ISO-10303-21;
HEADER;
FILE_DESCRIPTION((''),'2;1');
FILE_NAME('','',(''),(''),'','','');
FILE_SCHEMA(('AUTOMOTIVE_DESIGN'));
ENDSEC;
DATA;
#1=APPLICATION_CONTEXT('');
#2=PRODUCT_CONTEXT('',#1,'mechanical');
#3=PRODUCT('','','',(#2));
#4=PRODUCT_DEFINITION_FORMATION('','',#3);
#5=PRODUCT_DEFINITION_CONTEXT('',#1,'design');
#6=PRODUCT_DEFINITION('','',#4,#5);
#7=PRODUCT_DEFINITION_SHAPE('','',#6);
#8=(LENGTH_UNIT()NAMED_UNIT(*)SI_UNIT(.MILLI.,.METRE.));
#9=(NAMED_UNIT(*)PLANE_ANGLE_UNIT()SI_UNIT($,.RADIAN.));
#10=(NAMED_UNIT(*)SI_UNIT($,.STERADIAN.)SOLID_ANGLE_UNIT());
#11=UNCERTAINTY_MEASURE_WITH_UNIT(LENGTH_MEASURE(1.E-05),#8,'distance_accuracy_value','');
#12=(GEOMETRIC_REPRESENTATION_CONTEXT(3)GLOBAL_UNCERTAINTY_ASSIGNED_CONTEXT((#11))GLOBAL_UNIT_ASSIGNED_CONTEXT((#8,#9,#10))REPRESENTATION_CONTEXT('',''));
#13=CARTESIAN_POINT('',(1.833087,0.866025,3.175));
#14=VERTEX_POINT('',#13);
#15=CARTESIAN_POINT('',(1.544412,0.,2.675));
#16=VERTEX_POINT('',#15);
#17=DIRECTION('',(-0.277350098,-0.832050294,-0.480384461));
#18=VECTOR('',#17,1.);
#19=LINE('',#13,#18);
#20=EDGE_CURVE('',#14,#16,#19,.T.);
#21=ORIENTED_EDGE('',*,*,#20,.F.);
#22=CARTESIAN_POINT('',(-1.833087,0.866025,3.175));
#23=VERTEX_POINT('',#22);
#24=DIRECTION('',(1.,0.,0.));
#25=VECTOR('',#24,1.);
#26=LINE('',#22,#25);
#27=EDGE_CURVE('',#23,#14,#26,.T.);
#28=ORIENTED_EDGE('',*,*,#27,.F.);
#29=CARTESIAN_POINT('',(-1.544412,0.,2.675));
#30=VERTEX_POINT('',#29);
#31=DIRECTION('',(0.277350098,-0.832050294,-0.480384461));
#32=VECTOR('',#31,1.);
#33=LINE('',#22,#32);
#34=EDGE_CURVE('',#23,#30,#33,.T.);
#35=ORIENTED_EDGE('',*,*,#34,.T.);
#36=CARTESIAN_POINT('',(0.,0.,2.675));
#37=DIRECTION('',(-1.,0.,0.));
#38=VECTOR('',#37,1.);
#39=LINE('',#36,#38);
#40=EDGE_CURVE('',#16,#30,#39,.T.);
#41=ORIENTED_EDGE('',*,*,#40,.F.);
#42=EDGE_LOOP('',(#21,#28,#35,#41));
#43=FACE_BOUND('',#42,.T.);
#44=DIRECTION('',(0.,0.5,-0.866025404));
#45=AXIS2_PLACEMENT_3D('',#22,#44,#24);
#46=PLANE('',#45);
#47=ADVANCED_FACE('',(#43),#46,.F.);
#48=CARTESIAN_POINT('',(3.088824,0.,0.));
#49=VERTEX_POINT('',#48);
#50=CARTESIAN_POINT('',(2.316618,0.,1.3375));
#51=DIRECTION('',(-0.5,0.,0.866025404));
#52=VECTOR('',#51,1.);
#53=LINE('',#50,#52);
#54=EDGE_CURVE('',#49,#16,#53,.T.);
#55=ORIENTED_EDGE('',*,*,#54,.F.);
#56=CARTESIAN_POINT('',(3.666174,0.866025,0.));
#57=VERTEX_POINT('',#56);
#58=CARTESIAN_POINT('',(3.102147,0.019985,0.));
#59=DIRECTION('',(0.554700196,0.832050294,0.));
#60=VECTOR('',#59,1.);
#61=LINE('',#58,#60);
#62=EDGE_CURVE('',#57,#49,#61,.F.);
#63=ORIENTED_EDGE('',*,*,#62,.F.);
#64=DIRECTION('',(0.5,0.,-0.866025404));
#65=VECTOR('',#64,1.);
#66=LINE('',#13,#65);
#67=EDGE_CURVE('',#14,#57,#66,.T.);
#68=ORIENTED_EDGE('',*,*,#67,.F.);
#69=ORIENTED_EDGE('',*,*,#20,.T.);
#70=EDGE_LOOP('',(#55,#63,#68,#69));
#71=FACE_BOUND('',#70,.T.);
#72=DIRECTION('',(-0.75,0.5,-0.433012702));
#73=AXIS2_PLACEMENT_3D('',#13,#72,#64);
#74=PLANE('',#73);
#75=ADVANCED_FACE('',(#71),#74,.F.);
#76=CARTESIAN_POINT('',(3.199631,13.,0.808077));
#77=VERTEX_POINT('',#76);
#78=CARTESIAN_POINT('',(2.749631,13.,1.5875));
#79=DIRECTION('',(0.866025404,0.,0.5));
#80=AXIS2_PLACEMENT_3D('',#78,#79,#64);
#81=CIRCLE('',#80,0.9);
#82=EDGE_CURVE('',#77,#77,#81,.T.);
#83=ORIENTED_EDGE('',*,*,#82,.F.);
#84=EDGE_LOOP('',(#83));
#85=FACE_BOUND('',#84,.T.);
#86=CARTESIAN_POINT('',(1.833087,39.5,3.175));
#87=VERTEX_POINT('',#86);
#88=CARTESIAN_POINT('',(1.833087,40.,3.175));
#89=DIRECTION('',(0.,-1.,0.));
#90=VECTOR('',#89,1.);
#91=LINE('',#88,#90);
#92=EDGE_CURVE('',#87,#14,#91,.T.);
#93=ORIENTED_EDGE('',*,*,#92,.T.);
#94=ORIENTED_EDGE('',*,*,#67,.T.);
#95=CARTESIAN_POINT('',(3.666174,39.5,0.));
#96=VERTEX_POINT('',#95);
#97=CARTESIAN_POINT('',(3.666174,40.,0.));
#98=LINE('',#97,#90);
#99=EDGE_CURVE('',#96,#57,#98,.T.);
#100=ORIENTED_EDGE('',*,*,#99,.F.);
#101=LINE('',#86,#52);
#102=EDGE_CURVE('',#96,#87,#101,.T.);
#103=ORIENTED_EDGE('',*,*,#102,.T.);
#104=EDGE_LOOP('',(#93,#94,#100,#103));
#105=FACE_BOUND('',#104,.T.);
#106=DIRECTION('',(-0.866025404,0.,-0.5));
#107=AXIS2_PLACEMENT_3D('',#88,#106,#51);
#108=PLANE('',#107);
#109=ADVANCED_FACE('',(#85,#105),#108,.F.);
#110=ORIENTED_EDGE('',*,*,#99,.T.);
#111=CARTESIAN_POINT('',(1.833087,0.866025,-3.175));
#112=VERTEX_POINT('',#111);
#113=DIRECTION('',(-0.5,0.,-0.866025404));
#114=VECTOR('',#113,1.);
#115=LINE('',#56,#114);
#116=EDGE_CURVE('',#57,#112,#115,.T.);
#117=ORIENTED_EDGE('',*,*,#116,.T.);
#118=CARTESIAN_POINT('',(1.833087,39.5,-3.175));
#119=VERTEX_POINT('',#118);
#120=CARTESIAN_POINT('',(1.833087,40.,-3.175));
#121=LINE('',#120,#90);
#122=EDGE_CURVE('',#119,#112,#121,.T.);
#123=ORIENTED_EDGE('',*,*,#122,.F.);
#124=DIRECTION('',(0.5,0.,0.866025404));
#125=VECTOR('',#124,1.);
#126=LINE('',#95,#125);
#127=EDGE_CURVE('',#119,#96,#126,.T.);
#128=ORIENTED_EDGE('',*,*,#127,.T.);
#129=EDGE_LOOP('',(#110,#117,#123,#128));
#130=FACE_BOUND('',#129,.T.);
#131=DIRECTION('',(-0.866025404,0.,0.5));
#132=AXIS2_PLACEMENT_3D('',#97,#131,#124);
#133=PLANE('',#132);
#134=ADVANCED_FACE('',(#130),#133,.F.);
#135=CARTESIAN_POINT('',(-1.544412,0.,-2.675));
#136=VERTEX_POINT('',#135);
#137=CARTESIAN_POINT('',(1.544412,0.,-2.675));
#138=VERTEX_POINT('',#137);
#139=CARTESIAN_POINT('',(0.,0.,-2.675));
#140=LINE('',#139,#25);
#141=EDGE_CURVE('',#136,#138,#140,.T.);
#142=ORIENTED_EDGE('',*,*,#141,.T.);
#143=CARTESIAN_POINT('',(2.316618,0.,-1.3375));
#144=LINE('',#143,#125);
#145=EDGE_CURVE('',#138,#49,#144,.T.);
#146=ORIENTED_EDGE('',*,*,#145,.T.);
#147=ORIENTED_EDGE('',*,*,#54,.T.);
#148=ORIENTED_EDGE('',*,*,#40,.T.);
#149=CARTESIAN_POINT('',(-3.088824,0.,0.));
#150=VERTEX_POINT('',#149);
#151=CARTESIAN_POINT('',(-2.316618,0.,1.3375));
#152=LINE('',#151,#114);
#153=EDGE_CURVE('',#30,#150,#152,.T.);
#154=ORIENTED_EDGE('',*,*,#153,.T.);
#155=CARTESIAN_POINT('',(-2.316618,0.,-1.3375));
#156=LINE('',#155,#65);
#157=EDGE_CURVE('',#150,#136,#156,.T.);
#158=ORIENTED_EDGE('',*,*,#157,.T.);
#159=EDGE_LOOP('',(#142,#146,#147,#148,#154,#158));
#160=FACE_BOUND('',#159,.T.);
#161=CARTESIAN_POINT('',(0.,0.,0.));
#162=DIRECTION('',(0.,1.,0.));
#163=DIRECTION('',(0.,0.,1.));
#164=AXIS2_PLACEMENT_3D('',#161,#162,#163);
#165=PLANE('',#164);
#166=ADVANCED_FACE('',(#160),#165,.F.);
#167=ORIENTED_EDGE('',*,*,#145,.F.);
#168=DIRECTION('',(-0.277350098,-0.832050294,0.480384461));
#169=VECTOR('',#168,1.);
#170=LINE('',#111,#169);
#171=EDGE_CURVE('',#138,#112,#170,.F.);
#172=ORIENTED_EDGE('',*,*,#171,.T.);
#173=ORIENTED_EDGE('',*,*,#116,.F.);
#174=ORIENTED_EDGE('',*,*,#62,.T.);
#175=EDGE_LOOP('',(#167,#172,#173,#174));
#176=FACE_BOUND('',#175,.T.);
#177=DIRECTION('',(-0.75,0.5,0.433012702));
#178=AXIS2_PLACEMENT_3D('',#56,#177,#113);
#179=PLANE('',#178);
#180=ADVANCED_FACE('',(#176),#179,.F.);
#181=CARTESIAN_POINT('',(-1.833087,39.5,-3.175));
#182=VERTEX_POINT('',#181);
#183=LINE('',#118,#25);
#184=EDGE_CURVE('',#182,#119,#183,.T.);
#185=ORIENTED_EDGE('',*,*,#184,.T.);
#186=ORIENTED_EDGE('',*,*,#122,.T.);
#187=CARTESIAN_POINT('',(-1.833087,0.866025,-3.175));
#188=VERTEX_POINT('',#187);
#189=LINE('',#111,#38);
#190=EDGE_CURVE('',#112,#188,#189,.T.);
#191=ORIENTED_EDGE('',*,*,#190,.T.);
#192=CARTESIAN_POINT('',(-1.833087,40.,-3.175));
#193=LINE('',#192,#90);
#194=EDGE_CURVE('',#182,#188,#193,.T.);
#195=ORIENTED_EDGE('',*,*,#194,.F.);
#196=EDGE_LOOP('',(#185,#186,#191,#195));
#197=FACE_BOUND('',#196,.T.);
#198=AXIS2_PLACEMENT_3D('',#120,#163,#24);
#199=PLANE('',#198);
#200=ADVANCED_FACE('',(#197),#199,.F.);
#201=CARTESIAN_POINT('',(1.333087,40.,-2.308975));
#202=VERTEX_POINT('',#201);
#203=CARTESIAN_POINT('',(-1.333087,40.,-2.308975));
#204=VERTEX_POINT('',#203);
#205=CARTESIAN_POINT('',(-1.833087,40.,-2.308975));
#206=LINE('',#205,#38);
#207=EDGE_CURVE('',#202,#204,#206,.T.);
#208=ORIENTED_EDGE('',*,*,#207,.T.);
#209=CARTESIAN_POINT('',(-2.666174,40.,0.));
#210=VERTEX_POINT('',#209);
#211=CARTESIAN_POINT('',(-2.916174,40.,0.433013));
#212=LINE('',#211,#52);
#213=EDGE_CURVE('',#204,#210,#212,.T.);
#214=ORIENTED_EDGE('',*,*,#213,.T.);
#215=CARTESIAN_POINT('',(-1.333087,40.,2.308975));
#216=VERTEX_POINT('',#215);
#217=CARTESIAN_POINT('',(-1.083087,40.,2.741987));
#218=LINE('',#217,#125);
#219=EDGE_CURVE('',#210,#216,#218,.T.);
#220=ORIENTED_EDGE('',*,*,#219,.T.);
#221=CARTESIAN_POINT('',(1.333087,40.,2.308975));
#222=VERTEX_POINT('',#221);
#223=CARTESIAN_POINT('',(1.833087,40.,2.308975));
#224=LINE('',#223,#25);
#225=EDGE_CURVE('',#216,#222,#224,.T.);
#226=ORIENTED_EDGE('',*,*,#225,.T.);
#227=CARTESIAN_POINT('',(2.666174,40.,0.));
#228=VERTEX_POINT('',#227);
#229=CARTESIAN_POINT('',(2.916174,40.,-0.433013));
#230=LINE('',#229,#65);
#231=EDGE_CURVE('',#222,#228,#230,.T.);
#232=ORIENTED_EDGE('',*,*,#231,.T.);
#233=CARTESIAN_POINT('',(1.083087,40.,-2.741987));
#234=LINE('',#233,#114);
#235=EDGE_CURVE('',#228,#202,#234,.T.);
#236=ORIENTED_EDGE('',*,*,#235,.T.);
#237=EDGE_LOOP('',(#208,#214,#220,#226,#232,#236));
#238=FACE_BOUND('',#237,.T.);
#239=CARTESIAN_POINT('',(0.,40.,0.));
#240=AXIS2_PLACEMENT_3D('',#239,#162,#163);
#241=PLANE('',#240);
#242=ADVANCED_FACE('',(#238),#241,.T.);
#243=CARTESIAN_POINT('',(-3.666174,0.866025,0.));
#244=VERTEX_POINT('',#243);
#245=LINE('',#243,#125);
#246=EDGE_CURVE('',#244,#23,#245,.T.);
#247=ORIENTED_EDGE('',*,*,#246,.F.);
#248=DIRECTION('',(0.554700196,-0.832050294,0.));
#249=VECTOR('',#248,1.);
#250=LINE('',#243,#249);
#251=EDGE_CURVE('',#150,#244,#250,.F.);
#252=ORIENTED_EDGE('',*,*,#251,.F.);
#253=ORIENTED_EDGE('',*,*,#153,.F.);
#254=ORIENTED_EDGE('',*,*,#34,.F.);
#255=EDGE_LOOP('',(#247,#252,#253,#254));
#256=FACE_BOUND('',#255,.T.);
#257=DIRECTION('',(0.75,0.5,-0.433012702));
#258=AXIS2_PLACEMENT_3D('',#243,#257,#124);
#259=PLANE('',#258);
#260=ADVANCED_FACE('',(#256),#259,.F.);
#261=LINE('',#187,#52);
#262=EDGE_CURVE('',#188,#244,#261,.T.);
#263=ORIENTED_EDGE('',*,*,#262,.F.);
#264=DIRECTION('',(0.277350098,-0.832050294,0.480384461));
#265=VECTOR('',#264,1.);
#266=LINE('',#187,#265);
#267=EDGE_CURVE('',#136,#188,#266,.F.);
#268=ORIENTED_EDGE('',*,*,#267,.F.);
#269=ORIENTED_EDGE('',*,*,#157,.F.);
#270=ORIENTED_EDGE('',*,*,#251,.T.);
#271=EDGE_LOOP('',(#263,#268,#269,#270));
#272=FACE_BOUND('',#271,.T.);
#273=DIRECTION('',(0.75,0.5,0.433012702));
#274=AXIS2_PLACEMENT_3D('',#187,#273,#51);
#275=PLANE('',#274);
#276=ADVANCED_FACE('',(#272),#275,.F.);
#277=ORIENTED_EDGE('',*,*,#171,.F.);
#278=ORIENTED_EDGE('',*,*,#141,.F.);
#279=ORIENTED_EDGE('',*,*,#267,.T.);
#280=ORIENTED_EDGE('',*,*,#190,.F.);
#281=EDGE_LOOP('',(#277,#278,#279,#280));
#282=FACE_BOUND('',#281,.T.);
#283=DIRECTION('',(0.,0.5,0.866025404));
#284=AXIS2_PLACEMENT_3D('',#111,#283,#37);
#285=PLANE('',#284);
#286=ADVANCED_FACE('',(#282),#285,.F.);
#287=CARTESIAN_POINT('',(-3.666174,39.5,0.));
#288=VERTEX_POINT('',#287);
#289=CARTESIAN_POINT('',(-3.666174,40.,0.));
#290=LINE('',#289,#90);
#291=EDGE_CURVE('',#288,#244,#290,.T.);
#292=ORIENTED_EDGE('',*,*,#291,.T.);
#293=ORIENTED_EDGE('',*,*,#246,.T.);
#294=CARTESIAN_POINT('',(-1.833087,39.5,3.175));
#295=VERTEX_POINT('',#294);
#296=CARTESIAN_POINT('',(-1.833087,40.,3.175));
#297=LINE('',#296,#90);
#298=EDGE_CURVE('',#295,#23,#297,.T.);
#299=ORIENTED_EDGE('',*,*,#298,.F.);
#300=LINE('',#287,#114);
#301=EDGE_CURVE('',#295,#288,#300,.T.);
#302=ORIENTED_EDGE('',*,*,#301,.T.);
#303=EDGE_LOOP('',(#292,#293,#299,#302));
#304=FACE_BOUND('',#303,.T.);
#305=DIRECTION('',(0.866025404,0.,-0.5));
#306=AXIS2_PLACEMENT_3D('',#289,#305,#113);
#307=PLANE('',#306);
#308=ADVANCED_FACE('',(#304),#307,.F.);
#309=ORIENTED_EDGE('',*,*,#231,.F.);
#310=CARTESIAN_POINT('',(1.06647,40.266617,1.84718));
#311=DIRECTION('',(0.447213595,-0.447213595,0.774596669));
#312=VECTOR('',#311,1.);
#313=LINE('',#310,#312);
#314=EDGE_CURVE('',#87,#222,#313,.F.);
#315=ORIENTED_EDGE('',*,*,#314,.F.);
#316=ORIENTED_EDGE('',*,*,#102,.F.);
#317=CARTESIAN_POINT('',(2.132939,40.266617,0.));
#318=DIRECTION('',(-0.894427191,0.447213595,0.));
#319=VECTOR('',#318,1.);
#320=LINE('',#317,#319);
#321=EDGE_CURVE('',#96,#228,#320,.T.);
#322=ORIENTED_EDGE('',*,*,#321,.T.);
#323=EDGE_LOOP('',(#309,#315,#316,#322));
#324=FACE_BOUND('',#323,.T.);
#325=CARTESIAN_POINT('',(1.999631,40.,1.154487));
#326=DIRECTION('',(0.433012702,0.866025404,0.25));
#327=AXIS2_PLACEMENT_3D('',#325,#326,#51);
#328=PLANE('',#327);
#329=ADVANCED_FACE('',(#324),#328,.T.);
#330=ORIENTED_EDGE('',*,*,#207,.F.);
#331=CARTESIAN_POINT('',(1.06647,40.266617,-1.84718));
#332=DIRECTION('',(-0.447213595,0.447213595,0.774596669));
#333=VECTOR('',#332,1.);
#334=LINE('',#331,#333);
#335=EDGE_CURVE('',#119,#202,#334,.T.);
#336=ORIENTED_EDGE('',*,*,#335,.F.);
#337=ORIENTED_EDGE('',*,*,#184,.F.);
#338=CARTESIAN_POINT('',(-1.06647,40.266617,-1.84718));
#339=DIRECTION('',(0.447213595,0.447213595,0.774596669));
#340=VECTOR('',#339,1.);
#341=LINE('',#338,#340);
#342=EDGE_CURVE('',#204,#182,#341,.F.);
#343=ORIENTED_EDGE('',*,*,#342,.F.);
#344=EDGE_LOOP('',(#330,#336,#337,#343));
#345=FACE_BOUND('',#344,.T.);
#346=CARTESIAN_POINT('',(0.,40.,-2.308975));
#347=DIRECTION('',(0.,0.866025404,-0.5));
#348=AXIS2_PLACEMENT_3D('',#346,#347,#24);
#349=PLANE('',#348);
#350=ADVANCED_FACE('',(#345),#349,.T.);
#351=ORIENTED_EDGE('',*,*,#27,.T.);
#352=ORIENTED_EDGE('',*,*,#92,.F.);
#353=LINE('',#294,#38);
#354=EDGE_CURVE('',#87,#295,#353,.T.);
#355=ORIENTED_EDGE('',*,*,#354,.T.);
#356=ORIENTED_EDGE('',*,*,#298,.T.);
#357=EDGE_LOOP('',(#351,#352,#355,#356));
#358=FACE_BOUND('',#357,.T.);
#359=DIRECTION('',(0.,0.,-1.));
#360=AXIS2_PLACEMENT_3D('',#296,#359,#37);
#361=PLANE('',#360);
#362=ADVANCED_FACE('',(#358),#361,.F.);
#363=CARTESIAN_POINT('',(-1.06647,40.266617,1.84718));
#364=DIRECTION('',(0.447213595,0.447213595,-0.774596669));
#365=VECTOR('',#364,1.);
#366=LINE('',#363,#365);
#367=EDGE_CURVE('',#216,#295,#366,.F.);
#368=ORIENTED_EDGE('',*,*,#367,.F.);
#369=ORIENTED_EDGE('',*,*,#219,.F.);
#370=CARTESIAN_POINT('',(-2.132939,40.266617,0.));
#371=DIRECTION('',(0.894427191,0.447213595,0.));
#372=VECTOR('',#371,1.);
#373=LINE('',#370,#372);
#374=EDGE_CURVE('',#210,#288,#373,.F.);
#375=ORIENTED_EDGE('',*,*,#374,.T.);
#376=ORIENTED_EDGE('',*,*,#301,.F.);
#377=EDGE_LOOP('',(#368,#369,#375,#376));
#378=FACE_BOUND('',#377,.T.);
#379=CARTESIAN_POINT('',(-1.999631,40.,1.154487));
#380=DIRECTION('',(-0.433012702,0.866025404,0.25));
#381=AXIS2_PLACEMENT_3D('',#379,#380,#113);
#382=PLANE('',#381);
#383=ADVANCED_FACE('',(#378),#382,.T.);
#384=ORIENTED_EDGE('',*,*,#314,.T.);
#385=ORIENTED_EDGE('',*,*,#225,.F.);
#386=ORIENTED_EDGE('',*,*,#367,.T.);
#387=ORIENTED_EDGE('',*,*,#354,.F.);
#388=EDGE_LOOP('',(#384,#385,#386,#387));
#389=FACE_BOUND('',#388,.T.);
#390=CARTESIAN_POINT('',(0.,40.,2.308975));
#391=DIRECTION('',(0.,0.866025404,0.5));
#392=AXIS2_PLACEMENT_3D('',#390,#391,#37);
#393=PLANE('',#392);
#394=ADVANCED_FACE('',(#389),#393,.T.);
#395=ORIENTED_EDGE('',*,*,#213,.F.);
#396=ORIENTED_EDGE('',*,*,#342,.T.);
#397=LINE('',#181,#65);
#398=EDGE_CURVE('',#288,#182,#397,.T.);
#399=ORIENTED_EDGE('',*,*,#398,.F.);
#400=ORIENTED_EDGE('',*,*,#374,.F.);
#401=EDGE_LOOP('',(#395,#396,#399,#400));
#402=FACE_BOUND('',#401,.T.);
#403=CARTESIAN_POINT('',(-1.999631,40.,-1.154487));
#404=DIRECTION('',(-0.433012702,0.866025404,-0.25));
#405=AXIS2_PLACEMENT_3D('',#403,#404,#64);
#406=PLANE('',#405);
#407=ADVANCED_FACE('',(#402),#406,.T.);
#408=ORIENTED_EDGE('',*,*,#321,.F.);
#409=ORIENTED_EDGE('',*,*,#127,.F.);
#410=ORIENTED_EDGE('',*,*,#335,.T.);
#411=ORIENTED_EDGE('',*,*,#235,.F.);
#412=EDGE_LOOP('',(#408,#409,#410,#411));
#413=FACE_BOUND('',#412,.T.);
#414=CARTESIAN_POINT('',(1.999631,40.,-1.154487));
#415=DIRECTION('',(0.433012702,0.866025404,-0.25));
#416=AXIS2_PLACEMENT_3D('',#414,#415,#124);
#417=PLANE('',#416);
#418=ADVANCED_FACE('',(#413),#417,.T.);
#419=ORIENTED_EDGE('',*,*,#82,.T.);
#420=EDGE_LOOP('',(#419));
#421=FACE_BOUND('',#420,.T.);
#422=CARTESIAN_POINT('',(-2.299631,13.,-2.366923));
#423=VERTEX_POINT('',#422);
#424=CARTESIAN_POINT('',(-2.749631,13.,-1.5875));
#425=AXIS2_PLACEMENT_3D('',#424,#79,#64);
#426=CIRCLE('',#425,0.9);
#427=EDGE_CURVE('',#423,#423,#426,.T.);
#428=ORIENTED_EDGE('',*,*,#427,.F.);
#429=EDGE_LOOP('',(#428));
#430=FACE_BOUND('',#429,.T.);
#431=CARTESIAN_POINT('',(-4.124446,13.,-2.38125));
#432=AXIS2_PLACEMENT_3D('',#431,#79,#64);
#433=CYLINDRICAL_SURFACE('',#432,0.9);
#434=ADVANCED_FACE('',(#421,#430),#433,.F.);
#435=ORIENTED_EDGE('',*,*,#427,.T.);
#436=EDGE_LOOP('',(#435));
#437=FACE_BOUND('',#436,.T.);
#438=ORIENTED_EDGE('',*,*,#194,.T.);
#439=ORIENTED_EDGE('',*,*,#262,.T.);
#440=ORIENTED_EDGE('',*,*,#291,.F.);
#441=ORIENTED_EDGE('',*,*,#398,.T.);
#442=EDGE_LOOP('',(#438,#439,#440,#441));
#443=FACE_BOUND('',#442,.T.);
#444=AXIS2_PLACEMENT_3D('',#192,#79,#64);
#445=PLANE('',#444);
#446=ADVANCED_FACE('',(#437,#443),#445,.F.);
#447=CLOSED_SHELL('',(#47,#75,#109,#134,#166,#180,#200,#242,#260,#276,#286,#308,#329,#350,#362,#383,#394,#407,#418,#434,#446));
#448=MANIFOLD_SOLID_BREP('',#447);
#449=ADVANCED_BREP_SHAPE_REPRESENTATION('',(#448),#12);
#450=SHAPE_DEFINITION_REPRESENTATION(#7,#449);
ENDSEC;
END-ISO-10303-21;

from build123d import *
from OCP.BRepFilletAPI import BRepFilletAPI_MakeChamfer

# Parameters (mm, degrees)
P_IDAT_VYSUNUT_M1_DEPTH  = 40
ZKOSEN_1_SIZE            = 0.5
ZKOSEN_1_SIZE2           = 0.866025404
SKICA2_R                 = 0.9
ODEBRAT_VYSUNUT_M1_DEPTH = 41.790243421


with BuildPart() as part:
    # Skica1 → Přidat vysunutím1 (new body)
    with BuildSketch(Plane(origin=(0, 0, 0), x_dir=(1, 0, 0), z_dir=(0, 1, 0))):
        Polygon((3.666174209, 0), (1.833087105, 3.175), (-1.833087105, 3.175), (-3.666174209, 0), (-1.833087105, -3.175), (1.833087105, -3.175), align=None)
    extrude(amount=P_IDAT_VYSUNUT_M1_DEPTH)

    # Zkosení1: one chamfer whose edges measure the first distance from different faces: ONE call of the kernel's chamfer builder (chamfer() names one face for all edges)
    zkosen_1_edges_1 = [part.edges().sort_by_distance(p)[0] for p in [
        (0, 40, -3.175),
    ]]
    zkosen_1_side_1 = [part.faces().sort_by_distance(p)[0] for p in [
        (0, 20, -3.175),
    ]]
    zkosen_1_edges_2 = [part.edges().sort_by_distance(p)[0] for p in [
        (-2.749630657, 40, -1.5875),
    ]]
    zkosen_1_side_2 = [part.faces().sort_by_distance(p)[0] for p in [
        (-2.749630657, 20, -1.5875),
    ]]
    zkosen_1_edges_3 = [part.edges().sort_by_distance(p)[0] for p in [
        (-2.749630657, 40, 1.5875),
    ]]
    zkosen_1_side_3 = [part.faces().sort_by_distance(p)[0] for p in [
        (-2.749630657, 20, 1.5875),
    ]]
    zkosen_1_edges_4 = [part.edges().sort_by_distance(p)[0] for p in [
        (0, 40, 3.175),
    ]]
    zkosen_1_side_4 = [part.faces().sort_by_distance(p)[0] for p in [
        (0, 20, 3.175),
    ]]
    zkosen_1_edges_5 = [part.edges().sort_by_distance(p)[0] for p in [
        (2.749630657, 40, 1.5875),
    ]]
    zkosen_1_side_5 = [part.faces().sort_by_distance(p)[0] for p in [
        (2.749630657, 20, 1.5875),
    ]]
    zkosen_1_edges_6 = [part.edges().sort_by_distance(p)[0] for p in [
        (0, 0, 3.175),
        (-2.749630657, 0, 1.5875),
        (-2.749630657, 0, -1.5875),
        (0, 0, -3.175),
        (2.749630657, 0, -1.5875),
        (2.749630657, 0, 1.5875),
    ]]
    zkosen_1_side_6 = [part.faces().sort_by_distance(p)[0] for p in [
        (0, 0, 0),
    ]]
    zkosen_1_edges_7 = [part.edges().sort_by_distance(p)[0] for p in [
        (2.749630657, 40, -1.5875),
    ]]
    zkosen_1_side_7 = [part.faces().sort_by_distance(p)[0] for p in [
        (2.749630657, 20, -1.5875),
    ]]
    zkosen_1 = BRepFilletAPI_MakeChamfer(part.part.solid().wrapped)
    for e in zkosen_1_edges_1:
        zkosen_1.Add(ZKOSEN_1_SIZE, ZKOSEN_1_SIZE2, e.wrapped, zkosen_1_side_1[0].wrapped)  # the first distance lies on this face
    for e in zkosen_1_edges_2:
        zkosen_1.Add(ZKOSEN_1_SIZE, ZKOSEN_1_SIZE2, e.wrapped, zkosen_1_side_2[0].wrapped)  # the first distance lies on this face
    for e in zkosen_1_edges_3:
        zkosen_1.Add(ZKOSEN_1_SIZE, ZKOSEN_1_SIZE2, e.wrapped, zkosen_1_side_3[0].wrapped)  # the first distance lies on this face
    for e in zkosen_1_edges_4:
        zkosen_1.Add(ZKOSEN_1_SIZE, ZKOSEN_1_SIZE2, e.wrapped, zkosen_1_side_4[0].wrapped)  # the first distance lies on this face
    for e in zkosen_1_edges_5:
        zkosen_1.Add(ZKOSEN_1_SIZE, ZKOSEN_1_SIZE2, e.wrapped, zkosen_1_side_5[0].wrapped)  # the first distance lies on this face
    for e in zkosen_1_edges_6:
        zkosen_1.Add(ZKOSEN_1_SIZE, ZKOSEN_1_SIZE2, e.wrapped, zkosen_1_side_6[0].wrapped)  # the first distance lies on this face
    for e in zkosen_1_edges_7:
        zkosen_1.Add(ZKOSEN_1_SIZE, ZKOSEN_1_SIZE2, e.wrapped, zkosen_1_side_7[0].wrapped)  # the first distance lies on this face
    add(Compound.cast(zkosen_1.Shape()), mode=Mode.REPLACE)

    # Skica2 → Odebrat vysunutím1 (cut, through all)
    with BuildSketch(Plane(origin=(2.749630657, 0, 1.5875), x_dir=(0.49999999999999517, 0, -0.8660254037844415), z_dir=(0.8660254037844414, 0, 0.4999999999999951))):
        with Locations((0, 13)):
            Circle(SKICA2_R)
    extrude(amount=-ODEBRAT_VYSUNUT_M1_DEPTH, mode=Mode.SUBTRACT)


solid = part.part
